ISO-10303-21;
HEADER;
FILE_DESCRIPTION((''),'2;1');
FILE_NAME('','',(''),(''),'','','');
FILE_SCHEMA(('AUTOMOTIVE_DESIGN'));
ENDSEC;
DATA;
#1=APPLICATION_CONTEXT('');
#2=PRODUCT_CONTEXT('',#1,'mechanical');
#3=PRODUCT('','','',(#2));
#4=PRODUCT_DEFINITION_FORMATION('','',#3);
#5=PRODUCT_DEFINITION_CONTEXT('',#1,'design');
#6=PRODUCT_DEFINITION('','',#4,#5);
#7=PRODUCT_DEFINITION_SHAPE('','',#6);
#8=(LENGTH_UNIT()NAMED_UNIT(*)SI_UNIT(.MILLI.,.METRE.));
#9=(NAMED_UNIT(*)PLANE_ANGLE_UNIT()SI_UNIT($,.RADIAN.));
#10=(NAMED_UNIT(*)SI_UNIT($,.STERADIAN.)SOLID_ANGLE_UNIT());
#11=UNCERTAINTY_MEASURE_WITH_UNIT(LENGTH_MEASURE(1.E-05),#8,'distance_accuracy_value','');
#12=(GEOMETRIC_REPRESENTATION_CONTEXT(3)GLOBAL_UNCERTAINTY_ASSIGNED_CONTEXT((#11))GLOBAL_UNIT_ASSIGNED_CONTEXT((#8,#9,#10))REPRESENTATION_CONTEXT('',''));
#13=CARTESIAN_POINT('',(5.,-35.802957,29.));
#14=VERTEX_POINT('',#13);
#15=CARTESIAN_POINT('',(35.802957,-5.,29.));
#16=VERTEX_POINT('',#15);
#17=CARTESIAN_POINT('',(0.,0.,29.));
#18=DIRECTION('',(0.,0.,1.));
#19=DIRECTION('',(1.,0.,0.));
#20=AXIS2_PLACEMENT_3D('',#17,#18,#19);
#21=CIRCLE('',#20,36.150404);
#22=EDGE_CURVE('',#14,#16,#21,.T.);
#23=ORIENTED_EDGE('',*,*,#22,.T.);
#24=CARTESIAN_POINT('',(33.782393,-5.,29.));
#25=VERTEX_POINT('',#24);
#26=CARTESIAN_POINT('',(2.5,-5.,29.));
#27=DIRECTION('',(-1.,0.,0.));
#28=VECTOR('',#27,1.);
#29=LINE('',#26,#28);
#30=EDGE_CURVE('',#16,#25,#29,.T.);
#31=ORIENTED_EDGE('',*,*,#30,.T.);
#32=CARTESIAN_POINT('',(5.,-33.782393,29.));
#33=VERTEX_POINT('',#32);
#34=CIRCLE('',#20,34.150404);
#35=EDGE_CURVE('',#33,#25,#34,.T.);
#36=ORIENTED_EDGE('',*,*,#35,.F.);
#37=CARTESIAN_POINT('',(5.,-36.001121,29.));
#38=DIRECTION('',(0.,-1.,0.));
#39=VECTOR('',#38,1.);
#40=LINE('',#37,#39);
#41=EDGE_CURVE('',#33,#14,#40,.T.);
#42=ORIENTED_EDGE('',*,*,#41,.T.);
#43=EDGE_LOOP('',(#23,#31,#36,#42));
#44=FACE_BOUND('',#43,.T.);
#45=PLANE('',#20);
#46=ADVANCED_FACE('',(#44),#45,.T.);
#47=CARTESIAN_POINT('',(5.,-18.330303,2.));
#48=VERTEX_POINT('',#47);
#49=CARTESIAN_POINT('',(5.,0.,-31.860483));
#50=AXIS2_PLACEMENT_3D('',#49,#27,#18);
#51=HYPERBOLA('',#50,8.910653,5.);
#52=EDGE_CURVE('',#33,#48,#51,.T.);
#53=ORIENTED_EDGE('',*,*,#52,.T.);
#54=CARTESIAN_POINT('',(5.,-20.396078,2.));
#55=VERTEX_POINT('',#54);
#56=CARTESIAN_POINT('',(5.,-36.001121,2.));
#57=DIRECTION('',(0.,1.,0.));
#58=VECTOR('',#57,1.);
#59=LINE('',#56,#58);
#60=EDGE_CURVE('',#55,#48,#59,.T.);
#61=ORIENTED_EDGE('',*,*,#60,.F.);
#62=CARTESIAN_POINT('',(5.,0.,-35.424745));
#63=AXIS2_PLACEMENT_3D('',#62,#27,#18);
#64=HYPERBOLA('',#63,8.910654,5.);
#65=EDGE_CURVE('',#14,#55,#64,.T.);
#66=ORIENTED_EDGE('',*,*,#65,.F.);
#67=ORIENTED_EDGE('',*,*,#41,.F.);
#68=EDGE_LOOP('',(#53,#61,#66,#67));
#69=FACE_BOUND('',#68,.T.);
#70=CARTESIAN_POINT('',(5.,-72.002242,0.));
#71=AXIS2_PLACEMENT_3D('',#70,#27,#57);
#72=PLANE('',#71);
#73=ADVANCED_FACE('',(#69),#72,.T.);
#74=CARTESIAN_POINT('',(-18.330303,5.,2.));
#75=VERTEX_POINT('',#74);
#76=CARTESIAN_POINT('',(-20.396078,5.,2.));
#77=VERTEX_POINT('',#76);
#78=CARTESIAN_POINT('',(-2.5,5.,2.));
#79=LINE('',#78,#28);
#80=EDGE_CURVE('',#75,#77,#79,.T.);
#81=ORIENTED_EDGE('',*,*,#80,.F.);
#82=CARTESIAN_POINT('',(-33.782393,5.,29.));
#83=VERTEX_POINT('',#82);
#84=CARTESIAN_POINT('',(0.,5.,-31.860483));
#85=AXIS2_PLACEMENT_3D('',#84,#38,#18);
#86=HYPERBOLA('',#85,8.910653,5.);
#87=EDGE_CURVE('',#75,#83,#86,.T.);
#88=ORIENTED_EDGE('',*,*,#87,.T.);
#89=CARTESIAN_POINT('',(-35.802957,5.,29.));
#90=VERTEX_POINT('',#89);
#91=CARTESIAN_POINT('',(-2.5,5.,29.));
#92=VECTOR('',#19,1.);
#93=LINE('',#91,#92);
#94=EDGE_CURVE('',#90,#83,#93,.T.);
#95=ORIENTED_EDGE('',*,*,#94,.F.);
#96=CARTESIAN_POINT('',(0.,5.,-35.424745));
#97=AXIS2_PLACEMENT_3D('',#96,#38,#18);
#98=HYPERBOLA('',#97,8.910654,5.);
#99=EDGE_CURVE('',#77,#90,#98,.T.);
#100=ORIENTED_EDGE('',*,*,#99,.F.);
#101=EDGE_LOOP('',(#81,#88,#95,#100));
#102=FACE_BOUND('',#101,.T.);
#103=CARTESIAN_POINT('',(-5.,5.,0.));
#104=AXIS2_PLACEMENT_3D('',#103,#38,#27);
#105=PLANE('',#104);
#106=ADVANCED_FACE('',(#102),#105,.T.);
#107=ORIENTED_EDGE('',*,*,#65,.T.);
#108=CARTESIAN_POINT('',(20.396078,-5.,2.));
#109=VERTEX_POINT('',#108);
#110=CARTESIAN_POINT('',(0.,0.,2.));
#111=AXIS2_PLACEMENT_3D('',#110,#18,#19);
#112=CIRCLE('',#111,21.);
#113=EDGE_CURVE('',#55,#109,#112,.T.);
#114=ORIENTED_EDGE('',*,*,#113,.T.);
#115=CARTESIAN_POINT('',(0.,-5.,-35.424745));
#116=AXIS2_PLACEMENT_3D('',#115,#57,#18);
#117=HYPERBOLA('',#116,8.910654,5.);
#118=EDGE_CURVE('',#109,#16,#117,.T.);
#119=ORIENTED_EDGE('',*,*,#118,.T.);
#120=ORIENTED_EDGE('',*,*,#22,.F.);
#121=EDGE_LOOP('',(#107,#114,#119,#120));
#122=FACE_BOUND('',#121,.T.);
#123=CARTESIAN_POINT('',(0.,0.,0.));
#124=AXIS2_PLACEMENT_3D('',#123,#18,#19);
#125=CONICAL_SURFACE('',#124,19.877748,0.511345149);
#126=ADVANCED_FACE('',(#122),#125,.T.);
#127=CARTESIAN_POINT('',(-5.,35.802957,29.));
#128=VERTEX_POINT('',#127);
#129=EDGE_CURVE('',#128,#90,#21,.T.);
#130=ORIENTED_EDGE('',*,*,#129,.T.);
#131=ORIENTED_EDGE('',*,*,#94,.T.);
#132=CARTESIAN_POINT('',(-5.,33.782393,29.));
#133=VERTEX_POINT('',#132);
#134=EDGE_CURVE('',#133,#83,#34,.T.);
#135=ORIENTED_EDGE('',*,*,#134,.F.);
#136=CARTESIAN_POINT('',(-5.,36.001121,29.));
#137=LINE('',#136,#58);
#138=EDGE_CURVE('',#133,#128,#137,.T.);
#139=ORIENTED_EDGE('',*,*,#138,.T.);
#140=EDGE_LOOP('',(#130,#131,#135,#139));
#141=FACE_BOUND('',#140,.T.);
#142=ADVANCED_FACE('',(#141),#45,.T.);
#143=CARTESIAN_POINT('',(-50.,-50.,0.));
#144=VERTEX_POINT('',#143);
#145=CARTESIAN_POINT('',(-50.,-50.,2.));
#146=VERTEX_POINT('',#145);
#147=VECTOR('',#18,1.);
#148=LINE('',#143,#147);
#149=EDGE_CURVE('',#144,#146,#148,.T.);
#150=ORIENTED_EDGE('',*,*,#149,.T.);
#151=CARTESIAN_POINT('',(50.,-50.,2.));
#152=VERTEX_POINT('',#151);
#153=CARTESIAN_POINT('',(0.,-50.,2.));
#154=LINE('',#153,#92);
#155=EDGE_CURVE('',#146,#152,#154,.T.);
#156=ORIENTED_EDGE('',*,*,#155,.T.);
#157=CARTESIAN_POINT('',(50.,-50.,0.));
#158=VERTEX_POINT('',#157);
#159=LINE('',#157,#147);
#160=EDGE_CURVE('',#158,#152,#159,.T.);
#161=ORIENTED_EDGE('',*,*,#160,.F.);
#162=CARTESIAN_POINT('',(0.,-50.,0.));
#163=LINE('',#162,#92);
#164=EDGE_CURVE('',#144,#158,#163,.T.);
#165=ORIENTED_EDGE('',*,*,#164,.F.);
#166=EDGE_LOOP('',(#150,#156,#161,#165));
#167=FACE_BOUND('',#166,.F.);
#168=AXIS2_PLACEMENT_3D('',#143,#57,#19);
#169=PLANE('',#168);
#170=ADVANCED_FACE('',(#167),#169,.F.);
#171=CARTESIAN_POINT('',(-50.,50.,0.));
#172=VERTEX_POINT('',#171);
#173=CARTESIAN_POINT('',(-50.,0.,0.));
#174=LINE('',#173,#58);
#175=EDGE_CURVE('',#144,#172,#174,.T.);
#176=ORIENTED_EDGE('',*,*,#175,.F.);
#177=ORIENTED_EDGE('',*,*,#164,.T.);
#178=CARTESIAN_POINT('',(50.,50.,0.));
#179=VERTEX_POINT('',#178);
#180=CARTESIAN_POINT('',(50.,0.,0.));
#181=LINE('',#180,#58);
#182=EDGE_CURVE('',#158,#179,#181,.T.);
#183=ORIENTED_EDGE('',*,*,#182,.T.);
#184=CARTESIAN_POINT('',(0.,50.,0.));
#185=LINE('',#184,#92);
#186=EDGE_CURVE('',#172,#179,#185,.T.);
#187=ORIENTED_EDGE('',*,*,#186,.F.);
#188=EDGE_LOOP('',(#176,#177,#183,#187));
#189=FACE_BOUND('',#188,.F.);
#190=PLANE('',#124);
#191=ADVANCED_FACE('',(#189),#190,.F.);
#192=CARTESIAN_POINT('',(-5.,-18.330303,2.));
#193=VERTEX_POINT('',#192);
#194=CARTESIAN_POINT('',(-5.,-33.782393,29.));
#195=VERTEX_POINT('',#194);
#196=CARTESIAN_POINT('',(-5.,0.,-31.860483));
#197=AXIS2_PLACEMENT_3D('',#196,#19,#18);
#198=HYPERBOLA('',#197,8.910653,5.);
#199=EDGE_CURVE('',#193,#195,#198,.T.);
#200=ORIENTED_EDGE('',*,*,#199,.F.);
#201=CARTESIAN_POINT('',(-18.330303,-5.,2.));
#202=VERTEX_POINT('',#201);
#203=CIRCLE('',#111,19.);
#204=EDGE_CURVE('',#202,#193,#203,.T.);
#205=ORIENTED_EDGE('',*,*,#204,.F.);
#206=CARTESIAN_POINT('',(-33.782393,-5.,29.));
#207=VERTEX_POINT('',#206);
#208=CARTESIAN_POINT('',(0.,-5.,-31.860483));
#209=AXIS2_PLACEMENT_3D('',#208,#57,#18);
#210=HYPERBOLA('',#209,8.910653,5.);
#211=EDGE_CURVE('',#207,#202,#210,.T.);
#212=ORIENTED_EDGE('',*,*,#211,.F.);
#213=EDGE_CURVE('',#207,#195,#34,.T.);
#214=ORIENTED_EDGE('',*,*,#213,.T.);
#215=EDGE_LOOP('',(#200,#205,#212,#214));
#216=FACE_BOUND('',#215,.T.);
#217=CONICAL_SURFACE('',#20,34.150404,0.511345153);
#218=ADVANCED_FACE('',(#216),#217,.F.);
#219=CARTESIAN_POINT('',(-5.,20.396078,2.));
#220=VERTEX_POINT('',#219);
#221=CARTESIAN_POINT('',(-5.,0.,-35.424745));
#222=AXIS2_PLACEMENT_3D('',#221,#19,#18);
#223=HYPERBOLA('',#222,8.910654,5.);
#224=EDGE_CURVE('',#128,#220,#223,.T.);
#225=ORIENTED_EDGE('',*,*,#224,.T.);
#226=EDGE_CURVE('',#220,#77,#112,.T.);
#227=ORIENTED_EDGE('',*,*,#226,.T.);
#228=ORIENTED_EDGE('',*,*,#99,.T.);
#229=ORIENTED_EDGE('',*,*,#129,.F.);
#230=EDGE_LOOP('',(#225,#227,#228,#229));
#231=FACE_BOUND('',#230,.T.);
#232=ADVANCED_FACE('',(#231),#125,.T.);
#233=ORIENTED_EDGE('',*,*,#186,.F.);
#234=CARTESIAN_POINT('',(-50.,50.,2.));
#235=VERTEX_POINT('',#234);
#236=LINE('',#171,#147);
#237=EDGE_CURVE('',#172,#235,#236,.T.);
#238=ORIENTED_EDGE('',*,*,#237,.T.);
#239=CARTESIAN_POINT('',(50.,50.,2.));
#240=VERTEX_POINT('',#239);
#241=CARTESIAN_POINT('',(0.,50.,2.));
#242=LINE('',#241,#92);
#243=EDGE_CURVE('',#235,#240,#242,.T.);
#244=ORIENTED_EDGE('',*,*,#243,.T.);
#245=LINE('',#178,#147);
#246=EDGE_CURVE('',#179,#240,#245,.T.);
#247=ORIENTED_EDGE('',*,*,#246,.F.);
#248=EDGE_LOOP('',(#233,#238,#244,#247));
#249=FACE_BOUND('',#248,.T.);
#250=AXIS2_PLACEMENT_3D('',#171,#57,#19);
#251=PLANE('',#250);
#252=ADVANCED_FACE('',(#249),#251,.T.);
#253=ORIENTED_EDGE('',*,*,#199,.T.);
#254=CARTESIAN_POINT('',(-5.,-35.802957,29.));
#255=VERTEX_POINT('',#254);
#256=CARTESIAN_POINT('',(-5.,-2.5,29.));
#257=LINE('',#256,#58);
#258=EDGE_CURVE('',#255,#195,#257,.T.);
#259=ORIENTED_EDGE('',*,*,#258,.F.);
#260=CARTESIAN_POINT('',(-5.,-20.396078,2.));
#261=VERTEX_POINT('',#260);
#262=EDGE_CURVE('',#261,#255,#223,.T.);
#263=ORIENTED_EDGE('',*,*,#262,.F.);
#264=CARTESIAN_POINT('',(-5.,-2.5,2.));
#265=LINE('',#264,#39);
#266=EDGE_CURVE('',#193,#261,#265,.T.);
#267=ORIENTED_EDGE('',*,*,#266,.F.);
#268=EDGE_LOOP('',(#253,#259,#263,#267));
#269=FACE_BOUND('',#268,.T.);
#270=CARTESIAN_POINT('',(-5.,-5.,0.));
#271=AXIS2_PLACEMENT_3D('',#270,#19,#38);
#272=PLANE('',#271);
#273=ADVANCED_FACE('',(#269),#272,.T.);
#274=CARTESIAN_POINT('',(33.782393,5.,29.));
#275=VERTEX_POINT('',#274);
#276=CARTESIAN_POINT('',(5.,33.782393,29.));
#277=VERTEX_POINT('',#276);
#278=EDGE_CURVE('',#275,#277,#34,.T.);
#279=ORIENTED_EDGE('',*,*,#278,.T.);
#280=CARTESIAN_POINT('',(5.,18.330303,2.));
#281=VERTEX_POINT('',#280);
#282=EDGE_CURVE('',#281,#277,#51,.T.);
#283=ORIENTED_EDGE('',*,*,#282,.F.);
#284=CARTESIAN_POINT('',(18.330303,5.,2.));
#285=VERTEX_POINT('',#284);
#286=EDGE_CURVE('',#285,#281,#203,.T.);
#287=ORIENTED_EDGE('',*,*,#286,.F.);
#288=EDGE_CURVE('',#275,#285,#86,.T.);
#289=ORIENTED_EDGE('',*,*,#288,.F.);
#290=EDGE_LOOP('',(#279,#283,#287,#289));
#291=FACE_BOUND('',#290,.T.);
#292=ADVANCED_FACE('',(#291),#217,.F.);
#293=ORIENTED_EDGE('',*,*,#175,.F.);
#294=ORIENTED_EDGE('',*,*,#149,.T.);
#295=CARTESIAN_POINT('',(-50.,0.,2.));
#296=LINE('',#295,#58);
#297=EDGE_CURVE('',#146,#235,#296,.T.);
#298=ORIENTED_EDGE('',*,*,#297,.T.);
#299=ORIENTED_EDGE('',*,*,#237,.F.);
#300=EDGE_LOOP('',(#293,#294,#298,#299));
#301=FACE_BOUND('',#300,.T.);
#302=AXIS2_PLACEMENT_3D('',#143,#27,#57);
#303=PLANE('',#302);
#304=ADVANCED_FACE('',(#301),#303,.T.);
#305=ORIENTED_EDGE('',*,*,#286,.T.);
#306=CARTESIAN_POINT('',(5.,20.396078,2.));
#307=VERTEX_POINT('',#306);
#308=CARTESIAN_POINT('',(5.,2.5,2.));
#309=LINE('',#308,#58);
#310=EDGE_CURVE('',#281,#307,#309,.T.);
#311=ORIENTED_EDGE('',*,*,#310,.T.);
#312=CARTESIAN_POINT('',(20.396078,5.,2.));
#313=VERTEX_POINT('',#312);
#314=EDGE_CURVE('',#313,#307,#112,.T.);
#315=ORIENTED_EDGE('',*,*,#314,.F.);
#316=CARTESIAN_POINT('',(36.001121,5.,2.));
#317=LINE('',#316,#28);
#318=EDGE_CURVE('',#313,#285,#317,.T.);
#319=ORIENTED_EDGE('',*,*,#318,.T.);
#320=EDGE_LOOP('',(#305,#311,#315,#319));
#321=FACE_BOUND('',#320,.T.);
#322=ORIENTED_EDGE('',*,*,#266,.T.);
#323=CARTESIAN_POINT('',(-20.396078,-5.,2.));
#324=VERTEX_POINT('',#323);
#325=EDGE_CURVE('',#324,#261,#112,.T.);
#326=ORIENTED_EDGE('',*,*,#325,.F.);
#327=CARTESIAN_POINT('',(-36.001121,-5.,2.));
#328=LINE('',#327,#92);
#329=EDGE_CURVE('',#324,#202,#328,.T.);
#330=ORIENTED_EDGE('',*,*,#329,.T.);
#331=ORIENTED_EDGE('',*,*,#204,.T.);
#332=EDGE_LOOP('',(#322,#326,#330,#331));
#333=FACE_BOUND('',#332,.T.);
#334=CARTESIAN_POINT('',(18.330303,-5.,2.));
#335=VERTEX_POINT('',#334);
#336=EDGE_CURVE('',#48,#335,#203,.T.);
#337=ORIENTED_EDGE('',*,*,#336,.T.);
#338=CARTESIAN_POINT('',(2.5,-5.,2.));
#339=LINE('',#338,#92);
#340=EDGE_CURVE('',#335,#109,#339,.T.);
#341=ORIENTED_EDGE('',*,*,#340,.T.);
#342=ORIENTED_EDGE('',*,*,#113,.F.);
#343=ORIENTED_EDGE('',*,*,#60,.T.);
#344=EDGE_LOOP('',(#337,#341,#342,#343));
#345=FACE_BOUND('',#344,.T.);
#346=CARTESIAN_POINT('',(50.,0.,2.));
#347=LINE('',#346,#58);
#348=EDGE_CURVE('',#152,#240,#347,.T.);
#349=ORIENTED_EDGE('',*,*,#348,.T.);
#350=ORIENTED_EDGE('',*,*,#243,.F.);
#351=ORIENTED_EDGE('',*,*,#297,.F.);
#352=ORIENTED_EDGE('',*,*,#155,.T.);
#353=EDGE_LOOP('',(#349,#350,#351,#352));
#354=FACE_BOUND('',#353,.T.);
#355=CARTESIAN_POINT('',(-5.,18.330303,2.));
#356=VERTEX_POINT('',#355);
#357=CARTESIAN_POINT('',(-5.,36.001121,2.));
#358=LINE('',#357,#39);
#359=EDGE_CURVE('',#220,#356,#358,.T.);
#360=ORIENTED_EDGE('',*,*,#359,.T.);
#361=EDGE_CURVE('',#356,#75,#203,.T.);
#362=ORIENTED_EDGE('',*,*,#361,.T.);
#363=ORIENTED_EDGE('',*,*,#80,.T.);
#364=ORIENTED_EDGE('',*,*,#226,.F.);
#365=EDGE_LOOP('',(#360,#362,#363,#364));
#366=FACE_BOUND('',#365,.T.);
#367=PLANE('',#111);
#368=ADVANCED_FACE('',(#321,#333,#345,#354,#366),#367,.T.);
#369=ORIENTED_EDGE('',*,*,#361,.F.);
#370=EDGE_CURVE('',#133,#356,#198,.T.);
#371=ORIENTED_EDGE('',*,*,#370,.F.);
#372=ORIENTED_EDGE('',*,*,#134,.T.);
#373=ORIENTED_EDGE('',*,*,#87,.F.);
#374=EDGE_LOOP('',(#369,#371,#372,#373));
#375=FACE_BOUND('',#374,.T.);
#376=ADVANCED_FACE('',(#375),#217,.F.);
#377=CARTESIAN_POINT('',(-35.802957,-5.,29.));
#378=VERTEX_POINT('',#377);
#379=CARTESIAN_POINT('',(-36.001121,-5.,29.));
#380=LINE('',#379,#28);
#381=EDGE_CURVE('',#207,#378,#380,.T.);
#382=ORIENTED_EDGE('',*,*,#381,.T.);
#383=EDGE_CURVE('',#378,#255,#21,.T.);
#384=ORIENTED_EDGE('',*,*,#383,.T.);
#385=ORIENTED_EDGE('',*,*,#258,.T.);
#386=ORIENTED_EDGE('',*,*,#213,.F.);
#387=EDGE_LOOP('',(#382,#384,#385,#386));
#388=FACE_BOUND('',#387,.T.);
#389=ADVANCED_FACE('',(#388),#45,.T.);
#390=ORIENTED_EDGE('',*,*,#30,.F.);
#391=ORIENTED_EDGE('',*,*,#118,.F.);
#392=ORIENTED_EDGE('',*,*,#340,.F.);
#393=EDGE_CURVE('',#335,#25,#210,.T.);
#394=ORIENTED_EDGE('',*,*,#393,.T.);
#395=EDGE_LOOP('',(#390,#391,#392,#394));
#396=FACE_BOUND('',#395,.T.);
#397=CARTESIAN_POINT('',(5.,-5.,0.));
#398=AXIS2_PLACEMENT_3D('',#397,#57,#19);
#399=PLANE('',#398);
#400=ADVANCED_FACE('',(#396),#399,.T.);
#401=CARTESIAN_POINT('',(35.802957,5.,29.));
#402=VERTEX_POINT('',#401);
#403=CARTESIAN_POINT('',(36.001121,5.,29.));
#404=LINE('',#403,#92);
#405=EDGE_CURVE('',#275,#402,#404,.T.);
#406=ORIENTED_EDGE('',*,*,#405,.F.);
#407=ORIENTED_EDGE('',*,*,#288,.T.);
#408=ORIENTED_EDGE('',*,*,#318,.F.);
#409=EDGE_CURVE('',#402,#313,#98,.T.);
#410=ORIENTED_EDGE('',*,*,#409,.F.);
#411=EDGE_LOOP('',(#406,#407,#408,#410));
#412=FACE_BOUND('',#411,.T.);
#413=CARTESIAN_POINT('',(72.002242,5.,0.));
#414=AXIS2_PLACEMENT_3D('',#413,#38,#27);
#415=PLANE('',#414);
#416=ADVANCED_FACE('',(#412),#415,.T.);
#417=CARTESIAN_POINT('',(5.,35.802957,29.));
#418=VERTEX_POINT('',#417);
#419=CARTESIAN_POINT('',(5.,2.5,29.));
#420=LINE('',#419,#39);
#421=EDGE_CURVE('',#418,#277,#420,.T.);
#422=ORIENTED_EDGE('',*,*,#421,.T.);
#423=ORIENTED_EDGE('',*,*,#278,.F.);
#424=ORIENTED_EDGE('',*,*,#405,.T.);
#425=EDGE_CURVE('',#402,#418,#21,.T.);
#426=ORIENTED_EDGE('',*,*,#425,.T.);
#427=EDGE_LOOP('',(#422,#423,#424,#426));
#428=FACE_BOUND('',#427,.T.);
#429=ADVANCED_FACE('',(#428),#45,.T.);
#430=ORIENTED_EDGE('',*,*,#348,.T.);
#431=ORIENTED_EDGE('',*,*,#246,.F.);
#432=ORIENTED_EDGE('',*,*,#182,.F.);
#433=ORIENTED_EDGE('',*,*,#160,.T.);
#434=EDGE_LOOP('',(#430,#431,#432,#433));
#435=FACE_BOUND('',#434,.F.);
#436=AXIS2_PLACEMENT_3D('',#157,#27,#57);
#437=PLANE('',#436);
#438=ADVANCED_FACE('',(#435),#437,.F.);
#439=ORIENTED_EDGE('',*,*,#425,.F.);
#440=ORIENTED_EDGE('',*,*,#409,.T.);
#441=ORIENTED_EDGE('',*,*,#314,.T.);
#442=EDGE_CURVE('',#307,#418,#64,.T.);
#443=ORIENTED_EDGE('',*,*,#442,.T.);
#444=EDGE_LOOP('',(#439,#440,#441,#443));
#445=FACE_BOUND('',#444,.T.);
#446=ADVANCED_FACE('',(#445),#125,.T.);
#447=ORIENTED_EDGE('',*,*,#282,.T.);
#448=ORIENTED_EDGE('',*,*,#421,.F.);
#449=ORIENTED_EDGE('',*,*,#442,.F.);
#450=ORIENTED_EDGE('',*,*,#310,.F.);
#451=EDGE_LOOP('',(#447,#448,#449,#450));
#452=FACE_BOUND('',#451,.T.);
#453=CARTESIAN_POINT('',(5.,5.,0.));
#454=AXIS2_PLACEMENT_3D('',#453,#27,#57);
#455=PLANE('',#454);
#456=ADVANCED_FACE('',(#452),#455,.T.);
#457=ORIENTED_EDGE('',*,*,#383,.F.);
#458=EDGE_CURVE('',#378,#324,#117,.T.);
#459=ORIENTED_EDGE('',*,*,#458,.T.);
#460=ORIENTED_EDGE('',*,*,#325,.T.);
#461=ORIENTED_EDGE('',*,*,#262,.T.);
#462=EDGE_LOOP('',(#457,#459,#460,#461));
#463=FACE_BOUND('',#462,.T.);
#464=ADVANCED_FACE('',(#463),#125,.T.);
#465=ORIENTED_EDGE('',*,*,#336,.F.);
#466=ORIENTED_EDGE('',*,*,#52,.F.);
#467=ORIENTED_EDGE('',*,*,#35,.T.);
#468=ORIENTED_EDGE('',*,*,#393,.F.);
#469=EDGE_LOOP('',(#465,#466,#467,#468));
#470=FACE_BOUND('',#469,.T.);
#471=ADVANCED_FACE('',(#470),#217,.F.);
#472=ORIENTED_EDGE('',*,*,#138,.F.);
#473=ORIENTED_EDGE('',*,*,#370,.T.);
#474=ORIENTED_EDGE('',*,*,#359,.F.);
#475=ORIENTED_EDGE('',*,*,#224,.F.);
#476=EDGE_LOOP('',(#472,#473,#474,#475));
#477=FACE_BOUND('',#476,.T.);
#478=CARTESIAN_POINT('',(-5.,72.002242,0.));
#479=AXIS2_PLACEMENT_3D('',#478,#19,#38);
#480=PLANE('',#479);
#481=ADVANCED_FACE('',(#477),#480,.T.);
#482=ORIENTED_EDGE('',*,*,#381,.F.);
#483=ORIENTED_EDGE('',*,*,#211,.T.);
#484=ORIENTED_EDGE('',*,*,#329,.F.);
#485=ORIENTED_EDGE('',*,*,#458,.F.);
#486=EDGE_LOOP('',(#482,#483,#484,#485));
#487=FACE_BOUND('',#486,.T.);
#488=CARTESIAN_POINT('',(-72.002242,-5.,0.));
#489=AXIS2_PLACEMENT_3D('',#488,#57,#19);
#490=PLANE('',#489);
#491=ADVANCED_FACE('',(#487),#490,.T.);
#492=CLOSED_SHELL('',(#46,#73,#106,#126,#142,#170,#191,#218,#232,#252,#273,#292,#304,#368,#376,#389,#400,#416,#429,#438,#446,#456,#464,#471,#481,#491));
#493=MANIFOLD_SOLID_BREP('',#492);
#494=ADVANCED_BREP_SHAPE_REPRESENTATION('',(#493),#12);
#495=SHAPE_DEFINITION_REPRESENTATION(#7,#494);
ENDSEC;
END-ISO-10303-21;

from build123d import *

# Parameters (mm, degrees)
F4_DEPTH      = 30
F4_DEPTH_BACK = -2
F5_W          = 100
F5_H          = 100
F6_DEPTH      = 2


with BuildPart() as f2:
    # F0 (on Front) → F2 (revolve)
    with BuildSketch(Plane.XZ):
        Polygon((0, 2), (0, 0), (19.877748, 0), (36.150404, 29), (34.150404, 29), (19, 2), align=None)
    revolve(axis=Axis((0, 0, 10.899935), (0, 0, 1)))

    # F3 (on Top) → F4 (cut, two sides)
    with BuildSketch(Plane.XY) as f4_sk:
        Polygon((-72.002242, 5), (-72.002242, 0), (-72.002242, -5), (-5, -5), (-5, -72.002242), (0, -72.002242), (5, -72.002242), (5, -5), (72.002242, -5), (72.002242, 0), (72.002242, 5), (5, 5), (5, 72.002242), (0, 72.002242), (-5, 72.002242), (-5, 5), align=None)
    extrude(amount=F4_DEPTH, mode=Mode.SUBTRACT)
    extrude(f4_sk.sketch, amount=-F4_DEPTH_BACK, mode=Mode.SUBTRACT)

    # F5 (on Top) → F6 (join)
    with BuildSketch(Plane.XY):
        Rectangle(F5_W, F5_H)
    extrude(amount=F6_DEPTH)


solid = f2.part
